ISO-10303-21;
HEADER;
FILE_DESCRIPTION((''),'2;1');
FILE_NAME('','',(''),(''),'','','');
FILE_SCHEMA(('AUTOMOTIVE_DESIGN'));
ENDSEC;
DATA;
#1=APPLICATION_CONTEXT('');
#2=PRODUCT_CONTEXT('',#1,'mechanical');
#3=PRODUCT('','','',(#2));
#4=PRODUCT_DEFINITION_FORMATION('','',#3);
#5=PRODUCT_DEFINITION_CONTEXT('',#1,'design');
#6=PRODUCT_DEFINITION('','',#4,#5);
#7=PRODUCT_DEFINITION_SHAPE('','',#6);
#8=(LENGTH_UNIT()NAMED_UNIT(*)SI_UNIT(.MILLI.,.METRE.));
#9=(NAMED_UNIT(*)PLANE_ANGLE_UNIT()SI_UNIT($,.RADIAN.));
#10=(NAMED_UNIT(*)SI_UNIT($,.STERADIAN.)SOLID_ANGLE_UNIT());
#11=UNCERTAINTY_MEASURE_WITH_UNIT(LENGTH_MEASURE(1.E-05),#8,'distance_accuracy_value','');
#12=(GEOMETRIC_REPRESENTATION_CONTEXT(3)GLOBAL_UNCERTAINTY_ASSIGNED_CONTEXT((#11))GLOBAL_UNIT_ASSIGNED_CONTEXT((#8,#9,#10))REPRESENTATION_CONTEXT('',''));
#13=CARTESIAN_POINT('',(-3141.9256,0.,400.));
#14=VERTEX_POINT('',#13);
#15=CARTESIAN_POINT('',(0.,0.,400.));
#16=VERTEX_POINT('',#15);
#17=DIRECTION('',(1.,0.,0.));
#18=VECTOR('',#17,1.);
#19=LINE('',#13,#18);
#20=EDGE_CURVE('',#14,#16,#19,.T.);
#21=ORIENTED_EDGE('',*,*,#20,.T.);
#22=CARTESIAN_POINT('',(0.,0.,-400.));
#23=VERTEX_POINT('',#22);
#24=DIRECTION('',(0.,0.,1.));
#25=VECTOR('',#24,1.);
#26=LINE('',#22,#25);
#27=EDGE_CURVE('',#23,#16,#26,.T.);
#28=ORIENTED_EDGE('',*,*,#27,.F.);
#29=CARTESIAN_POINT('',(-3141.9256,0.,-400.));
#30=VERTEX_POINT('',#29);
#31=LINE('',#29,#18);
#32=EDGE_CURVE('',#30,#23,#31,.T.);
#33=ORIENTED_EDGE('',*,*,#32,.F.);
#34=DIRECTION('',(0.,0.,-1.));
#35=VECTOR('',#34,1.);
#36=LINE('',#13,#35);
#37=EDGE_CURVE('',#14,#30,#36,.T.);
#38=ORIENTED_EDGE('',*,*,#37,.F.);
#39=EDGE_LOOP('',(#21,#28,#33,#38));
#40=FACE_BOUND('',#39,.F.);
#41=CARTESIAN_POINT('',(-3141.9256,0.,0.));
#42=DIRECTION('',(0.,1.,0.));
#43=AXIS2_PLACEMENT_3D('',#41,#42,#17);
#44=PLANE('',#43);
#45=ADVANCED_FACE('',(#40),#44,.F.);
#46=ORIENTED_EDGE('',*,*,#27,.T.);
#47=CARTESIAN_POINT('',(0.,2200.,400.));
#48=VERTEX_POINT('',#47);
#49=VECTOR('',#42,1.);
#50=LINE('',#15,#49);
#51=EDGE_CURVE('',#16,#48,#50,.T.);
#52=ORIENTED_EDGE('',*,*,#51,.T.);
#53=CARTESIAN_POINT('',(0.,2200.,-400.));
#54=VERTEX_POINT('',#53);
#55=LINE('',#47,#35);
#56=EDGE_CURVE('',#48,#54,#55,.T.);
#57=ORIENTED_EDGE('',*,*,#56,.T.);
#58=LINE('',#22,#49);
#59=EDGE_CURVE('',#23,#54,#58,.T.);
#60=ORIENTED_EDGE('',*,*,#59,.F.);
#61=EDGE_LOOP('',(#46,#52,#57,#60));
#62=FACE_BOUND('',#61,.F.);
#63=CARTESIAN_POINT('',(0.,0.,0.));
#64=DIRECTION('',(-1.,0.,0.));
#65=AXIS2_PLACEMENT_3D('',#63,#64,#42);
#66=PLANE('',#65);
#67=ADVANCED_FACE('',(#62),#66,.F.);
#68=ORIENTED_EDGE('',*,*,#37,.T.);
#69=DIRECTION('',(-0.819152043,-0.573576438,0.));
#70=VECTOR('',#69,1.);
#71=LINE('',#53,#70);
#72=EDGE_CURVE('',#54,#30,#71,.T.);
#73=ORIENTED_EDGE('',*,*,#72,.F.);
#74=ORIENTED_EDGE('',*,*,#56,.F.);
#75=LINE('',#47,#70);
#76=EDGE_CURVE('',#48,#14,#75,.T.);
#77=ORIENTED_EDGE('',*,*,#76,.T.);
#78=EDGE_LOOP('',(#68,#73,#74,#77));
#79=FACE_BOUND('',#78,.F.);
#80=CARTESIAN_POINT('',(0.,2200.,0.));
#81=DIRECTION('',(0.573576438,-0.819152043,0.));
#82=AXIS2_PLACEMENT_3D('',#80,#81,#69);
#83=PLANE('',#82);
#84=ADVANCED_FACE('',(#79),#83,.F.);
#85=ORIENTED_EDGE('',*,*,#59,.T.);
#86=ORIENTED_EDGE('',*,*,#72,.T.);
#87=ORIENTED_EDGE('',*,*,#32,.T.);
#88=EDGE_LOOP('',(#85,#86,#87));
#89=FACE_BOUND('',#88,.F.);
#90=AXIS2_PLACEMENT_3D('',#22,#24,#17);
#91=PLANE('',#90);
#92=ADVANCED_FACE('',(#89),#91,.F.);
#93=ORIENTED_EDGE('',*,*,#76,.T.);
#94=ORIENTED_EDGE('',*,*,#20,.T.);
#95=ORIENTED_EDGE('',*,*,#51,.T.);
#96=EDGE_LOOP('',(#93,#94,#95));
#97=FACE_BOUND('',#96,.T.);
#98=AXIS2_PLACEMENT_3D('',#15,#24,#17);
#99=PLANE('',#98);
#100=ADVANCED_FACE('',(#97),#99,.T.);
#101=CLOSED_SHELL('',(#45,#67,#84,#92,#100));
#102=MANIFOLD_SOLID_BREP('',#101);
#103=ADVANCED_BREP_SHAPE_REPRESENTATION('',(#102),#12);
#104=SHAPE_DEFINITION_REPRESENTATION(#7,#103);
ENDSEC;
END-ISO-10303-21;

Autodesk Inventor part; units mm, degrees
ref_plane "YZ Plane" through (0, 0, 0) normal (1, 0, 0) x (0, 1, 0)
ref_plane "XZ Plane" through (0, 0, 0) normal (0, 1, 0) x (-1, 0, 0)
ref_plane "XY Plane" through (0, 0, 0) normal (0, 0, 1) x (1, 0, 0)
sketch "Sketch1" plane through (0, 0, 0) normal (0, 0, 1) x (1, 0, 0)
  line L0 (0, 0) -> (0, 2200)
  line L1 (0, 2200) -> (-3141.9256, 0)
  line L2 (-3141.9256, 0) -> (0, 0)
  dimension "d0" = 2200
  dimension "d1" = 35
extrude "Extrusion1" add sketch "Sketch1" along normal mid plane 800
properties part number "NDM-VOS dummy upstairse"
